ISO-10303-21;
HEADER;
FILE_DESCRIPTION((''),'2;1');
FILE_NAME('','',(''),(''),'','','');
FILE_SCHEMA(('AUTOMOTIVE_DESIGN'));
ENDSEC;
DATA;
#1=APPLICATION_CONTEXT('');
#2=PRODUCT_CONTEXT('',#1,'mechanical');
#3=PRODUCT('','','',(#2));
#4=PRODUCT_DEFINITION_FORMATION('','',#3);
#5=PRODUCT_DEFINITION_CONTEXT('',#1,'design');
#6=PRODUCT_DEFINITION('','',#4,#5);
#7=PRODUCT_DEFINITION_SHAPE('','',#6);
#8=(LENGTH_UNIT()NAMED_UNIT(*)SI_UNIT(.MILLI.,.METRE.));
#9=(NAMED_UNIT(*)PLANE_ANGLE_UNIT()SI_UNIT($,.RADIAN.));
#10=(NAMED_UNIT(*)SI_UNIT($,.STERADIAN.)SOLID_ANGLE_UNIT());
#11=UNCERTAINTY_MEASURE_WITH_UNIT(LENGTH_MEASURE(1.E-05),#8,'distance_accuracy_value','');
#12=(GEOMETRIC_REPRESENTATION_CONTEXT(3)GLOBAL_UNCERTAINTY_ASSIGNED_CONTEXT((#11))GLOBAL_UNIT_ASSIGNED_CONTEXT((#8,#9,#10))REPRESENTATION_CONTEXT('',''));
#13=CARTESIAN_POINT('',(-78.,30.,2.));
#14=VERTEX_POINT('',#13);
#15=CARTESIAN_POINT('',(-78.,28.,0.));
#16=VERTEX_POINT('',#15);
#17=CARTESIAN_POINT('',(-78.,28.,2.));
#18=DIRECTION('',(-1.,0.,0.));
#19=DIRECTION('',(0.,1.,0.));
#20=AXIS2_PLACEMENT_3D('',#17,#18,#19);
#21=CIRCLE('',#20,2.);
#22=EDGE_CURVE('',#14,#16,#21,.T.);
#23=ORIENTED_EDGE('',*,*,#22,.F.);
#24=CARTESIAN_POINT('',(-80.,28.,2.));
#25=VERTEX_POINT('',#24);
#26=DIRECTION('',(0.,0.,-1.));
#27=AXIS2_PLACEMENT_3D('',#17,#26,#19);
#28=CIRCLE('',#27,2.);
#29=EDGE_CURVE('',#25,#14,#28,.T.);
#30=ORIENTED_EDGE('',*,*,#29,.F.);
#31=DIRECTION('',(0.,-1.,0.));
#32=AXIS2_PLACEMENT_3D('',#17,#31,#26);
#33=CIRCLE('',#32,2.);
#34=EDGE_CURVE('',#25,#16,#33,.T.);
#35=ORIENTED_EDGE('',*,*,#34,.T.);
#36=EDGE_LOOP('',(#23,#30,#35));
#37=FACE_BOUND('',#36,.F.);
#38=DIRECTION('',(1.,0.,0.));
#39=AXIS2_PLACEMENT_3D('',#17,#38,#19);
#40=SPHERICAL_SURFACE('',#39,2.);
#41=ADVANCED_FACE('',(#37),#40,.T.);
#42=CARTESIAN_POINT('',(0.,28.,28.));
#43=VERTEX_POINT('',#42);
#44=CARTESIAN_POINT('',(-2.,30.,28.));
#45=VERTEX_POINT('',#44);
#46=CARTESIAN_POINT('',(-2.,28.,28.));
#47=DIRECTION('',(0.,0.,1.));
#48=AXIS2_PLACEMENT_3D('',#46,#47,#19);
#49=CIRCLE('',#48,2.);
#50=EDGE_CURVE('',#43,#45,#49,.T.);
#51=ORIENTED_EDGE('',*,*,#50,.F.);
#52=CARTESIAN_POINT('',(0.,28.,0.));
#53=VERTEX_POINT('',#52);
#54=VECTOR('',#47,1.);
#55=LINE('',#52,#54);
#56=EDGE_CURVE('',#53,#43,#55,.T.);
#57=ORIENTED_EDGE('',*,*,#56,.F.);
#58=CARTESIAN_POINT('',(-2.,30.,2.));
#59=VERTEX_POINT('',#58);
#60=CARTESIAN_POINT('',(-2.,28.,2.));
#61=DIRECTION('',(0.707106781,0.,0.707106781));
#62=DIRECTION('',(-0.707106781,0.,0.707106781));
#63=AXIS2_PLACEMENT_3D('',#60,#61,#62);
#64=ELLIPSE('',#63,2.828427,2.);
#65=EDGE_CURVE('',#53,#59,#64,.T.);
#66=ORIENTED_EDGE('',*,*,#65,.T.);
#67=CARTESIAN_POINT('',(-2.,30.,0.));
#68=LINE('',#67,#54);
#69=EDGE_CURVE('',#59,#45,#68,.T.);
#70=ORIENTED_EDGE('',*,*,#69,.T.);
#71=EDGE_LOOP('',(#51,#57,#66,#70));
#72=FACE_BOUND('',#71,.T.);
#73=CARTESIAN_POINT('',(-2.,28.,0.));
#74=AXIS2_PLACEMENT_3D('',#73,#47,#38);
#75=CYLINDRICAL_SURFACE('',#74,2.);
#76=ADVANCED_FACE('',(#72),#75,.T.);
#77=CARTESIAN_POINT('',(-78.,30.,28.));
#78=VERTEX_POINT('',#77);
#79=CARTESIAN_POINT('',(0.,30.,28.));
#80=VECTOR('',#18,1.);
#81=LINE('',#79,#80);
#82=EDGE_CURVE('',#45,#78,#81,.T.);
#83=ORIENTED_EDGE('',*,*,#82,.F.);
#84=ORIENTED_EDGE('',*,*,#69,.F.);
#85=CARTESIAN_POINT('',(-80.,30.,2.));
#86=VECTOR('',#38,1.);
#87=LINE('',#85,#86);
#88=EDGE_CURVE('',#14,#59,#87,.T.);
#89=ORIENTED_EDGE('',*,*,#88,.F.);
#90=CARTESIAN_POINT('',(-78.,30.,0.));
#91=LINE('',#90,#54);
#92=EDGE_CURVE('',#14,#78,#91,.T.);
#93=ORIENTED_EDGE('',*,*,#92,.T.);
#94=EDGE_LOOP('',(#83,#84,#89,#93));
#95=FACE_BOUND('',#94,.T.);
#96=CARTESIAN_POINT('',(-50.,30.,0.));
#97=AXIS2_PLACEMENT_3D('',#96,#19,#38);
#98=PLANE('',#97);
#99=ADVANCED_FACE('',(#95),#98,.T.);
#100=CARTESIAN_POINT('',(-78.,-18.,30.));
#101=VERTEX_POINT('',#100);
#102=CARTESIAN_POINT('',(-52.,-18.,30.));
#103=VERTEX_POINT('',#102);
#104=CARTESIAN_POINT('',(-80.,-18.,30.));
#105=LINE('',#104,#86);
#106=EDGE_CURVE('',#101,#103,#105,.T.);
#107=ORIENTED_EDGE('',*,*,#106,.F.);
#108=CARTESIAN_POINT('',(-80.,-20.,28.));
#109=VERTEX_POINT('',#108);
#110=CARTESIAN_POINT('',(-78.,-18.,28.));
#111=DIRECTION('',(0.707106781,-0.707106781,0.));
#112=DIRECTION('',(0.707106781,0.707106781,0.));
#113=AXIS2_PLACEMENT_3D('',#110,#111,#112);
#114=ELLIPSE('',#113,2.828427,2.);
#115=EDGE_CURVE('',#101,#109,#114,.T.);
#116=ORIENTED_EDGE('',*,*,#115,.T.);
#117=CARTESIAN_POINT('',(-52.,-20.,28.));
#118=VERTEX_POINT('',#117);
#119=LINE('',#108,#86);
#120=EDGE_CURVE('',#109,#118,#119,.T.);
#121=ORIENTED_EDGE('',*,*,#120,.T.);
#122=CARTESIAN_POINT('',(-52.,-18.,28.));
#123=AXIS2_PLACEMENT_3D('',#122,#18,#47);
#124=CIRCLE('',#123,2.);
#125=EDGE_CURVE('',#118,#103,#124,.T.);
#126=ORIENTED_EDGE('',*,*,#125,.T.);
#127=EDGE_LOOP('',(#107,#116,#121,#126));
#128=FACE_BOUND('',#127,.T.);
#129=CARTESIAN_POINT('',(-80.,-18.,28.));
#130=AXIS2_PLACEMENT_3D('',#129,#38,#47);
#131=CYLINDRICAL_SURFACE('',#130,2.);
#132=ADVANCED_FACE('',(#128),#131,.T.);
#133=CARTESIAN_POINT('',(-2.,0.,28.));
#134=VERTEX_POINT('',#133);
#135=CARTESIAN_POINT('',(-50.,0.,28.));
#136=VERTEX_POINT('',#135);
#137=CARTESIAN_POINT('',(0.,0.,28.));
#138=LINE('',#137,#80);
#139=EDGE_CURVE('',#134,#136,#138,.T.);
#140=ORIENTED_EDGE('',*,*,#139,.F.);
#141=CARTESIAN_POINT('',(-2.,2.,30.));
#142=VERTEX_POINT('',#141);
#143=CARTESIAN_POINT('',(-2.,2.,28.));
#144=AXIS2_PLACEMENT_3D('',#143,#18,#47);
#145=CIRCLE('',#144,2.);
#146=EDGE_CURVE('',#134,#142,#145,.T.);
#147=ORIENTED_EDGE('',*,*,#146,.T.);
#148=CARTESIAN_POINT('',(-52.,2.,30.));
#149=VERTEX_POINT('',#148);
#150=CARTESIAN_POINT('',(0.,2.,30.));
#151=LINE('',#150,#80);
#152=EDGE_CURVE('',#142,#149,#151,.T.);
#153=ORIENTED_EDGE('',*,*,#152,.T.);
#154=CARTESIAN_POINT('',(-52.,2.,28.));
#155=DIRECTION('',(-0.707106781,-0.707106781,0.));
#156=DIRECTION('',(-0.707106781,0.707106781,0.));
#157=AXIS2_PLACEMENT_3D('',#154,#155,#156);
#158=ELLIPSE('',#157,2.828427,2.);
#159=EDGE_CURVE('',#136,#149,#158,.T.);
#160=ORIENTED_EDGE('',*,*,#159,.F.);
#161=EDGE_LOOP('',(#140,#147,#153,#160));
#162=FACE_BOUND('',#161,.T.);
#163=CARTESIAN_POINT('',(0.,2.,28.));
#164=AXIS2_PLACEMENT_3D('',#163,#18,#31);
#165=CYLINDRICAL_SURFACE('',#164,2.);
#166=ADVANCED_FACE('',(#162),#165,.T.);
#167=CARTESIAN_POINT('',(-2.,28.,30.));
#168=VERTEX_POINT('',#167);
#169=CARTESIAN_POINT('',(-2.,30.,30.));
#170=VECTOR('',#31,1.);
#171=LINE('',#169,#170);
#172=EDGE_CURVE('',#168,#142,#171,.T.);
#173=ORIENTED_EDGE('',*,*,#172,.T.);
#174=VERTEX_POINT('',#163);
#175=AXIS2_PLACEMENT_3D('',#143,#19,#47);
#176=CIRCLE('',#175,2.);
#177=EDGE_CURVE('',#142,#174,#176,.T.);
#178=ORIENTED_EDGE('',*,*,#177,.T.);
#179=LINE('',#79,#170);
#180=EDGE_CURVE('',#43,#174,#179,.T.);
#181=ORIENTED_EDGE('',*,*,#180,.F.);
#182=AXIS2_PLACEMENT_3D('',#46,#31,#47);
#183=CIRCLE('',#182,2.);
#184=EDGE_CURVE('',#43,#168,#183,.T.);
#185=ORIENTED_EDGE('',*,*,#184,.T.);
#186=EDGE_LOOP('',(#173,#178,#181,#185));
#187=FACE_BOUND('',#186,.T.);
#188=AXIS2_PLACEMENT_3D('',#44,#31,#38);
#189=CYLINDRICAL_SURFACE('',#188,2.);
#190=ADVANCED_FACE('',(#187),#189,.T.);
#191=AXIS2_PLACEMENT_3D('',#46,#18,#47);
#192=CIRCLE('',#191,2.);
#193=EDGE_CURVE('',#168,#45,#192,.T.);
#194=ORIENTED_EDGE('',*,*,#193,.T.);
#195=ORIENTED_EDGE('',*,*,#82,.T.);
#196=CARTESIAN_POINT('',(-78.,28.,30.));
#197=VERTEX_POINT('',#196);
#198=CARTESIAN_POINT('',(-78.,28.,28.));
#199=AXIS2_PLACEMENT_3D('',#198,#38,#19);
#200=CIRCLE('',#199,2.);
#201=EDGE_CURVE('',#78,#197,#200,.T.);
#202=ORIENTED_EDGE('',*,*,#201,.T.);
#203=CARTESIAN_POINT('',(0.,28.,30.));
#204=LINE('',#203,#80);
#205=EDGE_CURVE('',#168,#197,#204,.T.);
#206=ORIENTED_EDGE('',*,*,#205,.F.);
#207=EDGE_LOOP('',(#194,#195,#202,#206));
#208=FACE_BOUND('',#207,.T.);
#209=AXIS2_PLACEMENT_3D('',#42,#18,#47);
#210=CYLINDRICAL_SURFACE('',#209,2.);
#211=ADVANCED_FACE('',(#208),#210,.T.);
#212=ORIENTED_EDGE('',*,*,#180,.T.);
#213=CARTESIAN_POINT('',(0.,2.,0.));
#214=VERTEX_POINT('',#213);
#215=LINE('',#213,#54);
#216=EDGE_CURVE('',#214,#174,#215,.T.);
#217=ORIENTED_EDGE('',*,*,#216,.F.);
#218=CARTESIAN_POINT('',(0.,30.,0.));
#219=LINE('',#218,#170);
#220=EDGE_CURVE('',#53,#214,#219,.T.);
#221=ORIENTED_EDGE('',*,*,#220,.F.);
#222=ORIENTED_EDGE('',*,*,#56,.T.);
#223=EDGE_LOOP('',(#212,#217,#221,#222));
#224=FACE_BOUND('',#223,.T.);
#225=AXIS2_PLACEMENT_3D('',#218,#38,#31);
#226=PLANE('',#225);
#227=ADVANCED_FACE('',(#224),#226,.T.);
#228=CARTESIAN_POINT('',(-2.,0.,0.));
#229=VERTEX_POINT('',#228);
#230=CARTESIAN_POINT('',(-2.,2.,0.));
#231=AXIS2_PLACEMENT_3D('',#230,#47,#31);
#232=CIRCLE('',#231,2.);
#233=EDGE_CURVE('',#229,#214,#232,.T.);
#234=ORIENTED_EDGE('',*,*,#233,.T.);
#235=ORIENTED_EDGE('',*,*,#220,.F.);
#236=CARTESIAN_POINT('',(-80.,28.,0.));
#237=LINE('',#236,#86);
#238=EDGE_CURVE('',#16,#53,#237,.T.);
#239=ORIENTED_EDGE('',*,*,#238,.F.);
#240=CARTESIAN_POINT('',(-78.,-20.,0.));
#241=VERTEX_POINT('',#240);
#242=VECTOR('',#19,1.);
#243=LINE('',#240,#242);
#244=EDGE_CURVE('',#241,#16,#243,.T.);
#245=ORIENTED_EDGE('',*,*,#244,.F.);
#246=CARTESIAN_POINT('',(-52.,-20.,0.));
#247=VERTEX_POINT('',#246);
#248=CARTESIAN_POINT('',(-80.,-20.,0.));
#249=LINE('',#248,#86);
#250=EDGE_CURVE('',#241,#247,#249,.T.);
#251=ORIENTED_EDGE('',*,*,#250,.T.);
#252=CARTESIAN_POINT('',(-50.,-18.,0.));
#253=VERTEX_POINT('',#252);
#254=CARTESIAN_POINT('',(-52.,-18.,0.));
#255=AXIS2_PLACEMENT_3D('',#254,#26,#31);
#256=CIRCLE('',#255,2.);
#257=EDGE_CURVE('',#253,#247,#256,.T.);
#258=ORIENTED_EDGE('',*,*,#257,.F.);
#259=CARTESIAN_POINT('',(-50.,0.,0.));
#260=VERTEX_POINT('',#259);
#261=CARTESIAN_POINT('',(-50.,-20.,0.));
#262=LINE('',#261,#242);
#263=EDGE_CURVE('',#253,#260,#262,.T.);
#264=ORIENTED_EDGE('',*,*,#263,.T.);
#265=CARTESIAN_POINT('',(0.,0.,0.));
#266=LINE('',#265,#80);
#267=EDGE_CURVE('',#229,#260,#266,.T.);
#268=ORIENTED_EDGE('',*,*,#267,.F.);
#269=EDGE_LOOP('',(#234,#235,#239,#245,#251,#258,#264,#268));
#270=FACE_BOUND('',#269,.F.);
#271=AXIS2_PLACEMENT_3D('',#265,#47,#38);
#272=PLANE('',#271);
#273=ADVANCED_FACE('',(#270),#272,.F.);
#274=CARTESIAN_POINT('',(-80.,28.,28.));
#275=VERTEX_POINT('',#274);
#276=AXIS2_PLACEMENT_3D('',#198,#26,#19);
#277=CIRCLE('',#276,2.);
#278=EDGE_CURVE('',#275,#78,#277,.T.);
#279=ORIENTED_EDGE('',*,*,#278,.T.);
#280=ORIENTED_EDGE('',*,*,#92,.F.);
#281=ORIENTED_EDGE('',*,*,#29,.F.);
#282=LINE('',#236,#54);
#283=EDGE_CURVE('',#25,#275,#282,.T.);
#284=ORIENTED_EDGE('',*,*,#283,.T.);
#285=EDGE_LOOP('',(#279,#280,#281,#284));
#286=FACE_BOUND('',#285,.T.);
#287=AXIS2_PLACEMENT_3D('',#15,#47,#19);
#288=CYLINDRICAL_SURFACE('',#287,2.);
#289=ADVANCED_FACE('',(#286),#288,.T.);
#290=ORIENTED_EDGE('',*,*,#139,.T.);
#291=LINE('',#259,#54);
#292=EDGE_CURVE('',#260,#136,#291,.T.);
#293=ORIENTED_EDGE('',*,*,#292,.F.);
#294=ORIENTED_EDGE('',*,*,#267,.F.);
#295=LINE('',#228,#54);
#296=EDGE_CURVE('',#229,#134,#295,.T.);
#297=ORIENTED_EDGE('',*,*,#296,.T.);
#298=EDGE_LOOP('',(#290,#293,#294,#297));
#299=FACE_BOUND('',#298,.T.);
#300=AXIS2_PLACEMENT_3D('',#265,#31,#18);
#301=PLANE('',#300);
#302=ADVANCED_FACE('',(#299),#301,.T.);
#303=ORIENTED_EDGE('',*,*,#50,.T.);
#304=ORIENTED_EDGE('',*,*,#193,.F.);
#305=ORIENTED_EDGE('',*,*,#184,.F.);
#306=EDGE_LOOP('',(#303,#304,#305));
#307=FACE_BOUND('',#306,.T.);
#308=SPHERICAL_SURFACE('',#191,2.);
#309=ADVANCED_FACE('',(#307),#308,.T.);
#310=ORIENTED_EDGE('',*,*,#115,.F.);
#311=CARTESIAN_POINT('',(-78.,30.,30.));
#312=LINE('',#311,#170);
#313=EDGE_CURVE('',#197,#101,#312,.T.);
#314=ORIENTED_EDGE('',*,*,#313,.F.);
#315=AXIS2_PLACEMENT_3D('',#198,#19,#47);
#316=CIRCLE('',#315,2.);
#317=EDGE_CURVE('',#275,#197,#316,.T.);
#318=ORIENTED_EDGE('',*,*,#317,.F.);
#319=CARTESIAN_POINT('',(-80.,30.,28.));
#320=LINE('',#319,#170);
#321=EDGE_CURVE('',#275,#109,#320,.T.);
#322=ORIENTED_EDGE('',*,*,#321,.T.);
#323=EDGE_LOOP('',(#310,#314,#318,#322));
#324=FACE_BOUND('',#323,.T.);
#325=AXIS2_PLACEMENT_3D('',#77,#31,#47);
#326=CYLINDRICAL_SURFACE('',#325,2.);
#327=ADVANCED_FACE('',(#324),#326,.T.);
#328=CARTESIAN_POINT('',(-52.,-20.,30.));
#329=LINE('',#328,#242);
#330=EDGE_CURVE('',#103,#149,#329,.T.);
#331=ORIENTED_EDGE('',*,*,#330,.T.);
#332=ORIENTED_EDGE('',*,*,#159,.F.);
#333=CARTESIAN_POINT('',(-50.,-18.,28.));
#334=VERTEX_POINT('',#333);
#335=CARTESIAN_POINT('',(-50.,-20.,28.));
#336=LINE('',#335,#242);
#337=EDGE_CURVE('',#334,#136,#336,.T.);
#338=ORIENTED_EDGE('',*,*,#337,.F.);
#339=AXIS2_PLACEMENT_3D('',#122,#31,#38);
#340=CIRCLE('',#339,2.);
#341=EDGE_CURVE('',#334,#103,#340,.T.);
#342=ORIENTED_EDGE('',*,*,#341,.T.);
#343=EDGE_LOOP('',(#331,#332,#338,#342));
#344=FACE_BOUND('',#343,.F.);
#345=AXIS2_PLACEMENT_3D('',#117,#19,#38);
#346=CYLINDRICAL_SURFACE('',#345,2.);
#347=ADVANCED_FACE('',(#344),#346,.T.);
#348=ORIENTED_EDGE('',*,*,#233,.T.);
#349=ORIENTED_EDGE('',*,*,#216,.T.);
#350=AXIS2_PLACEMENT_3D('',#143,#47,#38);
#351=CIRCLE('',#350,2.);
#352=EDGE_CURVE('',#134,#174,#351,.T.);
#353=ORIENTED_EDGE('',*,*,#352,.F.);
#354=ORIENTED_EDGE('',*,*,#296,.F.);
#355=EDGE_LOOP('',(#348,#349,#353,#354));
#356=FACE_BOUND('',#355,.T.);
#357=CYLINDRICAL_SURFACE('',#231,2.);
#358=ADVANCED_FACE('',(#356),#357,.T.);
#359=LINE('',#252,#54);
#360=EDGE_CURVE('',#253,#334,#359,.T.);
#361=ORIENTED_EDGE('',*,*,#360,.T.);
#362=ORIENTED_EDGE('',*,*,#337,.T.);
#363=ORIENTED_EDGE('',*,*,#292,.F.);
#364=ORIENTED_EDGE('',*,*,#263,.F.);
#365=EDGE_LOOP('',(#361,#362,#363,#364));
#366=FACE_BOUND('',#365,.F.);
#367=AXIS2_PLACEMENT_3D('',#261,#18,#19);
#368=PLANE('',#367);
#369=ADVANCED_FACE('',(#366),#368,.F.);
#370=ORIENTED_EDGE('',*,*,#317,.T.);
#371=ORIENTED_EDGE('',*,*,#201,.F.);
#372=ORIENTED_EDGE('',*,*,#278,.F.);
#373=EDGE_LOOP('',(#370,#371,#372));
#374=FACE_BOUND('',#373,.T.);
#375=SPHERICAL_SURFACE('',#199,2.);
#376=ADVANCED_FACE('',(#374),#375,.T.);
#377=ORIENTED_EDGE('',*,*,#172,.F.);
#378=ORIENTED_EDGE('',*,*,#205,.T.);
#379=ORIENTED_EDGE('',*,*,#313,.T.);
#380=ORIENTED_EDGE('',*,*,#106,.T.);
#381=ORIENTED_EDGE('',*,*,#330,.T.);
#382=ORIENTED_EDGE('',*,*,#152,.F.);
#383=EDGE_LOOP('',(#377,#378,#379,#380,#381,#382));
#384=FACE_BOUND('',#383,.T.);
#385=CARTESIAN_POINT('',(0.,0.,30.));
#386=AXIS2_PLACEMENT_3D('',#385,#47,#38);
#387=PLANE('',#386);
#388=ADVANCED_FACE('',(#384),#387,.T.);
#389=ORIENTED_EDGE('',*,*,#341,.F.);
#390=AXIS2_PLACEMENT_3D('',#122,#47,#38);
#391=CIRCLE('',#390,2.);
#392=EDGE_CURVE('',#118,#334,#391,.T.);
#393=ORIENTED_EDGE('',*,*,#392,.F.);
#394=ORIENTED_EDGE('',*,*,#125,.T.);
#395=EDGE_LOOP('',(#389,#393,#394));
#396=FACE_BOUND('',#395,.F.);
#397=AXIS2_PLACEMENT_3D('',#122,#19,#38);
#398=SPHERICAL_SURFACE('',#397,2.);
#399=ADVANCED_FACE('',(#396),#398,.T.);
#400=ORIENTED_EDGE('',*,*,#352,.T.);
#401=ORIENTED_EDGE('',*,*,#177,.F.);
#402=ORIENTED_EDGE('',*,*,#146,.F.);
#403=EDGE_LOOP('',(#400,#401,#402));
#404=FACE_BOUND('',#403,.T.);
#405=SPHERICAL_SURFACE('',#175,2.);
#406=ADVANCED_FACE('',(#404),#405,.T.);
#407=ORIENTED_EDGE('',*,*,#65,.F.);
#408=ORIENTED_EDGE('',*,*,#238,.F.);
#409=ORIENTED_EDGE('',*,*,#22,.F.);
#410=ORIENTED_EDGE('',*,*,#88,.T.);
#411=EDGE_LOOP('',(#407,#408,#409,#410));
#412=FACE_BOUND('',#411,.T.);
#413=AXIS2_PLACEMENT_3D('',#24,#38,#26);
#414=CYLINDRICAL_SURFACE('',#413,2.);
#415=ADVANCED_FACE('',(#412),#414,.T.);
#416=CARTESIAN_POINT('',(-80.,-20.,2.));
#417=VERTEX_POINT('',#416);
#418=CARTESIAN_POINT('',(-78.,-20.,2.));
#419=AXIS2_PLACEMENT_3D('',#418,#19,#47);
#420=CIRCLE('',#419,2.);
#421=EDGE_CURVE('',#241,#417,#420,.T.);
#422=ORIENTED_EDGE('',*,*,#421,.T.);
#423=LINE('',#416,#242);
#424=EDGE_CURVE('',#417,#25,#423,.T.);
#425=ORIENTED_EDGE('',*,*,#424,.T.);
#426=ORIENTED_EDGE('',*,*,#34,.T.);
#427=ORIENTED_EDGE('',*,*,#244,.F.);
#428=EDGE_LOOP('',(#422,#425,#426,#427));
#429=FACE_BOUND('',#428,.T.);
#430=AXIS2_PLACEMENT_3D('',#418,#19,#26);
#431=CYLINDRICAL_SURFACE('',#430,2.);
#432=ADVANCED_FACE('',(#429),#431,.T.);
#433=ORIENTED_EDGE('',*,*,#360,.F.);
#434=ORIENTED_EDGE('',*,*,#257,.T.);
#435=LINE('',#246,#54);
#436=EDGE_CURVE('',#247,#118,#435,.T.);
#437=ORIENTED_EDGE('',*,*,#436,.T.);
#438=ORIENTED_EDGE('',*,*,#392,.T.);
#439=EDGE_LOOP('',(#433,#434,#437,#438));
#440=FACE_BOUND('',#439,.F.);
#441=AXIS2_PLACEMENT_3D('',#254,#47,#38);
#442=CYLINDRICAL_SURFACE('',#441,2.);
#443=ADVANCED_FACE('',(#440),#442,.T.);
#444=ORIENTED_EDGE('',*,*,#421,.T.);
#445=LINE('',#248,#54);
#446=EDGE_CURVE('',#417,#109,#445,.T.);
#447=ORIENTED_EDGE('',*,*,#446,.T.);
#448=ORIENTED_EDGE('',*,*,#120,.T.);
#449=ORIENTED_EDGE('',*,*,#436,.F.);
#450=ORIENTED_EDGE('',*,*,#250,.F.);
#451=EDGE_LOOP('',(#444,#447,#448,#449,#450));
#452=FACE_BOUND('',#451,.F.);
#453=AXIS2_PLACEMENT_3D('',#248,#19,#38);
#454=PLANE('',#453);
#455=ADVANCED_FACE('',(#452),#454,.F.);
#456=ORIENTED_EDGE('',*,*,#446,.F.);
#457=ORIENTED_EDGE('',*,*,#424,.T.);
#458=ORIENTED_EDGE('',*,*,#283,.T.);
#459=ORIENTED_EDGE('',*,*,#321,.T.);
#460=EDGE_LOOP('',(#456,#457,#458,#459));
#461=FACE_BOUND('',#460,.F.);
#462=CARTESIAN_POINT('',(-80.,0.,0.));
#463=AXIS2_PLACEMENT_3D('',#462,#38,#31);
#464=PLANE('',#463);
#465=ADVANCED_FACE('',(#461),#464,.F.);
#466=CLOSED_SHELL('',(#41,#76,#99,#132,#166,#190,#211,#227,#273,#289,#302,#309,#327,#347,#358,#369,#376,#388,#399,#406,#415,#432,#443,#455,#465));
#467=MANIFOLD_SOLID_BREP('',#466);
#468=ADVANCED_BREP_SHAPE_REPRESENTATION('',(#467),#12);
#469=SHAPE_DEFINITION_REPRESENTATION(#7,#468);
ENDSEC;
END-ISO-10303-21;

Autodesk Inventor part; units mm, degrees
ref_plane "YZ Plane" through (0, 0, 0) normal (1, 0, 0) x (0, 1, 0)
ref_plane "XZ Plane" through (0, 0, 0) normal (0, 1, 0) x (-1, 0, 0)
ref_plane "XY Plane" through (0, 0, 0) normal (0, 0, 1) x (1, 0, 0)
sketch "Sketch1" plane through (0, 0, 0) normal (0, 0, 1) x (1, 0, 0)
  line L0 (0, 0) -> (-50, 0)
  line L1 (-50, 0) -> (-50, 30)
  line L2 (-50, 30) -> (0, 30)
  line L3 (0, 30) -> (0, 0)
  line L4 (-50, 30) -> (-80, 30)
  line L5 (-80, 30) -> (-80, -20)
  line L6 (-80, -20) -> (-50, -20)
  line L7 (-50, -20) -> (-50, 30)
  line L8 (-80, 0) -> (-50, 0)
  dimension "d0" = 50
  dimension "d1" = 30
  dimension "d2" = 30
  dimension "d3" = 50
extrude "Extrusion1" add sketch "Sketch1" along normal blind 30
fillet "Fillet1" radius 2 12 edges at (-40, 30, 30) (0, 15, 30) (-25, 0, 30) (-50, -10, 30) (-50, -20, 15) (-65, -20, 30) (0, 30, 15) (0, 0, 15) (-40, 30, 0) (-80, 30, 15) (-80, 5, 30) (-80, 5, 0)
properties part number "elbow"
